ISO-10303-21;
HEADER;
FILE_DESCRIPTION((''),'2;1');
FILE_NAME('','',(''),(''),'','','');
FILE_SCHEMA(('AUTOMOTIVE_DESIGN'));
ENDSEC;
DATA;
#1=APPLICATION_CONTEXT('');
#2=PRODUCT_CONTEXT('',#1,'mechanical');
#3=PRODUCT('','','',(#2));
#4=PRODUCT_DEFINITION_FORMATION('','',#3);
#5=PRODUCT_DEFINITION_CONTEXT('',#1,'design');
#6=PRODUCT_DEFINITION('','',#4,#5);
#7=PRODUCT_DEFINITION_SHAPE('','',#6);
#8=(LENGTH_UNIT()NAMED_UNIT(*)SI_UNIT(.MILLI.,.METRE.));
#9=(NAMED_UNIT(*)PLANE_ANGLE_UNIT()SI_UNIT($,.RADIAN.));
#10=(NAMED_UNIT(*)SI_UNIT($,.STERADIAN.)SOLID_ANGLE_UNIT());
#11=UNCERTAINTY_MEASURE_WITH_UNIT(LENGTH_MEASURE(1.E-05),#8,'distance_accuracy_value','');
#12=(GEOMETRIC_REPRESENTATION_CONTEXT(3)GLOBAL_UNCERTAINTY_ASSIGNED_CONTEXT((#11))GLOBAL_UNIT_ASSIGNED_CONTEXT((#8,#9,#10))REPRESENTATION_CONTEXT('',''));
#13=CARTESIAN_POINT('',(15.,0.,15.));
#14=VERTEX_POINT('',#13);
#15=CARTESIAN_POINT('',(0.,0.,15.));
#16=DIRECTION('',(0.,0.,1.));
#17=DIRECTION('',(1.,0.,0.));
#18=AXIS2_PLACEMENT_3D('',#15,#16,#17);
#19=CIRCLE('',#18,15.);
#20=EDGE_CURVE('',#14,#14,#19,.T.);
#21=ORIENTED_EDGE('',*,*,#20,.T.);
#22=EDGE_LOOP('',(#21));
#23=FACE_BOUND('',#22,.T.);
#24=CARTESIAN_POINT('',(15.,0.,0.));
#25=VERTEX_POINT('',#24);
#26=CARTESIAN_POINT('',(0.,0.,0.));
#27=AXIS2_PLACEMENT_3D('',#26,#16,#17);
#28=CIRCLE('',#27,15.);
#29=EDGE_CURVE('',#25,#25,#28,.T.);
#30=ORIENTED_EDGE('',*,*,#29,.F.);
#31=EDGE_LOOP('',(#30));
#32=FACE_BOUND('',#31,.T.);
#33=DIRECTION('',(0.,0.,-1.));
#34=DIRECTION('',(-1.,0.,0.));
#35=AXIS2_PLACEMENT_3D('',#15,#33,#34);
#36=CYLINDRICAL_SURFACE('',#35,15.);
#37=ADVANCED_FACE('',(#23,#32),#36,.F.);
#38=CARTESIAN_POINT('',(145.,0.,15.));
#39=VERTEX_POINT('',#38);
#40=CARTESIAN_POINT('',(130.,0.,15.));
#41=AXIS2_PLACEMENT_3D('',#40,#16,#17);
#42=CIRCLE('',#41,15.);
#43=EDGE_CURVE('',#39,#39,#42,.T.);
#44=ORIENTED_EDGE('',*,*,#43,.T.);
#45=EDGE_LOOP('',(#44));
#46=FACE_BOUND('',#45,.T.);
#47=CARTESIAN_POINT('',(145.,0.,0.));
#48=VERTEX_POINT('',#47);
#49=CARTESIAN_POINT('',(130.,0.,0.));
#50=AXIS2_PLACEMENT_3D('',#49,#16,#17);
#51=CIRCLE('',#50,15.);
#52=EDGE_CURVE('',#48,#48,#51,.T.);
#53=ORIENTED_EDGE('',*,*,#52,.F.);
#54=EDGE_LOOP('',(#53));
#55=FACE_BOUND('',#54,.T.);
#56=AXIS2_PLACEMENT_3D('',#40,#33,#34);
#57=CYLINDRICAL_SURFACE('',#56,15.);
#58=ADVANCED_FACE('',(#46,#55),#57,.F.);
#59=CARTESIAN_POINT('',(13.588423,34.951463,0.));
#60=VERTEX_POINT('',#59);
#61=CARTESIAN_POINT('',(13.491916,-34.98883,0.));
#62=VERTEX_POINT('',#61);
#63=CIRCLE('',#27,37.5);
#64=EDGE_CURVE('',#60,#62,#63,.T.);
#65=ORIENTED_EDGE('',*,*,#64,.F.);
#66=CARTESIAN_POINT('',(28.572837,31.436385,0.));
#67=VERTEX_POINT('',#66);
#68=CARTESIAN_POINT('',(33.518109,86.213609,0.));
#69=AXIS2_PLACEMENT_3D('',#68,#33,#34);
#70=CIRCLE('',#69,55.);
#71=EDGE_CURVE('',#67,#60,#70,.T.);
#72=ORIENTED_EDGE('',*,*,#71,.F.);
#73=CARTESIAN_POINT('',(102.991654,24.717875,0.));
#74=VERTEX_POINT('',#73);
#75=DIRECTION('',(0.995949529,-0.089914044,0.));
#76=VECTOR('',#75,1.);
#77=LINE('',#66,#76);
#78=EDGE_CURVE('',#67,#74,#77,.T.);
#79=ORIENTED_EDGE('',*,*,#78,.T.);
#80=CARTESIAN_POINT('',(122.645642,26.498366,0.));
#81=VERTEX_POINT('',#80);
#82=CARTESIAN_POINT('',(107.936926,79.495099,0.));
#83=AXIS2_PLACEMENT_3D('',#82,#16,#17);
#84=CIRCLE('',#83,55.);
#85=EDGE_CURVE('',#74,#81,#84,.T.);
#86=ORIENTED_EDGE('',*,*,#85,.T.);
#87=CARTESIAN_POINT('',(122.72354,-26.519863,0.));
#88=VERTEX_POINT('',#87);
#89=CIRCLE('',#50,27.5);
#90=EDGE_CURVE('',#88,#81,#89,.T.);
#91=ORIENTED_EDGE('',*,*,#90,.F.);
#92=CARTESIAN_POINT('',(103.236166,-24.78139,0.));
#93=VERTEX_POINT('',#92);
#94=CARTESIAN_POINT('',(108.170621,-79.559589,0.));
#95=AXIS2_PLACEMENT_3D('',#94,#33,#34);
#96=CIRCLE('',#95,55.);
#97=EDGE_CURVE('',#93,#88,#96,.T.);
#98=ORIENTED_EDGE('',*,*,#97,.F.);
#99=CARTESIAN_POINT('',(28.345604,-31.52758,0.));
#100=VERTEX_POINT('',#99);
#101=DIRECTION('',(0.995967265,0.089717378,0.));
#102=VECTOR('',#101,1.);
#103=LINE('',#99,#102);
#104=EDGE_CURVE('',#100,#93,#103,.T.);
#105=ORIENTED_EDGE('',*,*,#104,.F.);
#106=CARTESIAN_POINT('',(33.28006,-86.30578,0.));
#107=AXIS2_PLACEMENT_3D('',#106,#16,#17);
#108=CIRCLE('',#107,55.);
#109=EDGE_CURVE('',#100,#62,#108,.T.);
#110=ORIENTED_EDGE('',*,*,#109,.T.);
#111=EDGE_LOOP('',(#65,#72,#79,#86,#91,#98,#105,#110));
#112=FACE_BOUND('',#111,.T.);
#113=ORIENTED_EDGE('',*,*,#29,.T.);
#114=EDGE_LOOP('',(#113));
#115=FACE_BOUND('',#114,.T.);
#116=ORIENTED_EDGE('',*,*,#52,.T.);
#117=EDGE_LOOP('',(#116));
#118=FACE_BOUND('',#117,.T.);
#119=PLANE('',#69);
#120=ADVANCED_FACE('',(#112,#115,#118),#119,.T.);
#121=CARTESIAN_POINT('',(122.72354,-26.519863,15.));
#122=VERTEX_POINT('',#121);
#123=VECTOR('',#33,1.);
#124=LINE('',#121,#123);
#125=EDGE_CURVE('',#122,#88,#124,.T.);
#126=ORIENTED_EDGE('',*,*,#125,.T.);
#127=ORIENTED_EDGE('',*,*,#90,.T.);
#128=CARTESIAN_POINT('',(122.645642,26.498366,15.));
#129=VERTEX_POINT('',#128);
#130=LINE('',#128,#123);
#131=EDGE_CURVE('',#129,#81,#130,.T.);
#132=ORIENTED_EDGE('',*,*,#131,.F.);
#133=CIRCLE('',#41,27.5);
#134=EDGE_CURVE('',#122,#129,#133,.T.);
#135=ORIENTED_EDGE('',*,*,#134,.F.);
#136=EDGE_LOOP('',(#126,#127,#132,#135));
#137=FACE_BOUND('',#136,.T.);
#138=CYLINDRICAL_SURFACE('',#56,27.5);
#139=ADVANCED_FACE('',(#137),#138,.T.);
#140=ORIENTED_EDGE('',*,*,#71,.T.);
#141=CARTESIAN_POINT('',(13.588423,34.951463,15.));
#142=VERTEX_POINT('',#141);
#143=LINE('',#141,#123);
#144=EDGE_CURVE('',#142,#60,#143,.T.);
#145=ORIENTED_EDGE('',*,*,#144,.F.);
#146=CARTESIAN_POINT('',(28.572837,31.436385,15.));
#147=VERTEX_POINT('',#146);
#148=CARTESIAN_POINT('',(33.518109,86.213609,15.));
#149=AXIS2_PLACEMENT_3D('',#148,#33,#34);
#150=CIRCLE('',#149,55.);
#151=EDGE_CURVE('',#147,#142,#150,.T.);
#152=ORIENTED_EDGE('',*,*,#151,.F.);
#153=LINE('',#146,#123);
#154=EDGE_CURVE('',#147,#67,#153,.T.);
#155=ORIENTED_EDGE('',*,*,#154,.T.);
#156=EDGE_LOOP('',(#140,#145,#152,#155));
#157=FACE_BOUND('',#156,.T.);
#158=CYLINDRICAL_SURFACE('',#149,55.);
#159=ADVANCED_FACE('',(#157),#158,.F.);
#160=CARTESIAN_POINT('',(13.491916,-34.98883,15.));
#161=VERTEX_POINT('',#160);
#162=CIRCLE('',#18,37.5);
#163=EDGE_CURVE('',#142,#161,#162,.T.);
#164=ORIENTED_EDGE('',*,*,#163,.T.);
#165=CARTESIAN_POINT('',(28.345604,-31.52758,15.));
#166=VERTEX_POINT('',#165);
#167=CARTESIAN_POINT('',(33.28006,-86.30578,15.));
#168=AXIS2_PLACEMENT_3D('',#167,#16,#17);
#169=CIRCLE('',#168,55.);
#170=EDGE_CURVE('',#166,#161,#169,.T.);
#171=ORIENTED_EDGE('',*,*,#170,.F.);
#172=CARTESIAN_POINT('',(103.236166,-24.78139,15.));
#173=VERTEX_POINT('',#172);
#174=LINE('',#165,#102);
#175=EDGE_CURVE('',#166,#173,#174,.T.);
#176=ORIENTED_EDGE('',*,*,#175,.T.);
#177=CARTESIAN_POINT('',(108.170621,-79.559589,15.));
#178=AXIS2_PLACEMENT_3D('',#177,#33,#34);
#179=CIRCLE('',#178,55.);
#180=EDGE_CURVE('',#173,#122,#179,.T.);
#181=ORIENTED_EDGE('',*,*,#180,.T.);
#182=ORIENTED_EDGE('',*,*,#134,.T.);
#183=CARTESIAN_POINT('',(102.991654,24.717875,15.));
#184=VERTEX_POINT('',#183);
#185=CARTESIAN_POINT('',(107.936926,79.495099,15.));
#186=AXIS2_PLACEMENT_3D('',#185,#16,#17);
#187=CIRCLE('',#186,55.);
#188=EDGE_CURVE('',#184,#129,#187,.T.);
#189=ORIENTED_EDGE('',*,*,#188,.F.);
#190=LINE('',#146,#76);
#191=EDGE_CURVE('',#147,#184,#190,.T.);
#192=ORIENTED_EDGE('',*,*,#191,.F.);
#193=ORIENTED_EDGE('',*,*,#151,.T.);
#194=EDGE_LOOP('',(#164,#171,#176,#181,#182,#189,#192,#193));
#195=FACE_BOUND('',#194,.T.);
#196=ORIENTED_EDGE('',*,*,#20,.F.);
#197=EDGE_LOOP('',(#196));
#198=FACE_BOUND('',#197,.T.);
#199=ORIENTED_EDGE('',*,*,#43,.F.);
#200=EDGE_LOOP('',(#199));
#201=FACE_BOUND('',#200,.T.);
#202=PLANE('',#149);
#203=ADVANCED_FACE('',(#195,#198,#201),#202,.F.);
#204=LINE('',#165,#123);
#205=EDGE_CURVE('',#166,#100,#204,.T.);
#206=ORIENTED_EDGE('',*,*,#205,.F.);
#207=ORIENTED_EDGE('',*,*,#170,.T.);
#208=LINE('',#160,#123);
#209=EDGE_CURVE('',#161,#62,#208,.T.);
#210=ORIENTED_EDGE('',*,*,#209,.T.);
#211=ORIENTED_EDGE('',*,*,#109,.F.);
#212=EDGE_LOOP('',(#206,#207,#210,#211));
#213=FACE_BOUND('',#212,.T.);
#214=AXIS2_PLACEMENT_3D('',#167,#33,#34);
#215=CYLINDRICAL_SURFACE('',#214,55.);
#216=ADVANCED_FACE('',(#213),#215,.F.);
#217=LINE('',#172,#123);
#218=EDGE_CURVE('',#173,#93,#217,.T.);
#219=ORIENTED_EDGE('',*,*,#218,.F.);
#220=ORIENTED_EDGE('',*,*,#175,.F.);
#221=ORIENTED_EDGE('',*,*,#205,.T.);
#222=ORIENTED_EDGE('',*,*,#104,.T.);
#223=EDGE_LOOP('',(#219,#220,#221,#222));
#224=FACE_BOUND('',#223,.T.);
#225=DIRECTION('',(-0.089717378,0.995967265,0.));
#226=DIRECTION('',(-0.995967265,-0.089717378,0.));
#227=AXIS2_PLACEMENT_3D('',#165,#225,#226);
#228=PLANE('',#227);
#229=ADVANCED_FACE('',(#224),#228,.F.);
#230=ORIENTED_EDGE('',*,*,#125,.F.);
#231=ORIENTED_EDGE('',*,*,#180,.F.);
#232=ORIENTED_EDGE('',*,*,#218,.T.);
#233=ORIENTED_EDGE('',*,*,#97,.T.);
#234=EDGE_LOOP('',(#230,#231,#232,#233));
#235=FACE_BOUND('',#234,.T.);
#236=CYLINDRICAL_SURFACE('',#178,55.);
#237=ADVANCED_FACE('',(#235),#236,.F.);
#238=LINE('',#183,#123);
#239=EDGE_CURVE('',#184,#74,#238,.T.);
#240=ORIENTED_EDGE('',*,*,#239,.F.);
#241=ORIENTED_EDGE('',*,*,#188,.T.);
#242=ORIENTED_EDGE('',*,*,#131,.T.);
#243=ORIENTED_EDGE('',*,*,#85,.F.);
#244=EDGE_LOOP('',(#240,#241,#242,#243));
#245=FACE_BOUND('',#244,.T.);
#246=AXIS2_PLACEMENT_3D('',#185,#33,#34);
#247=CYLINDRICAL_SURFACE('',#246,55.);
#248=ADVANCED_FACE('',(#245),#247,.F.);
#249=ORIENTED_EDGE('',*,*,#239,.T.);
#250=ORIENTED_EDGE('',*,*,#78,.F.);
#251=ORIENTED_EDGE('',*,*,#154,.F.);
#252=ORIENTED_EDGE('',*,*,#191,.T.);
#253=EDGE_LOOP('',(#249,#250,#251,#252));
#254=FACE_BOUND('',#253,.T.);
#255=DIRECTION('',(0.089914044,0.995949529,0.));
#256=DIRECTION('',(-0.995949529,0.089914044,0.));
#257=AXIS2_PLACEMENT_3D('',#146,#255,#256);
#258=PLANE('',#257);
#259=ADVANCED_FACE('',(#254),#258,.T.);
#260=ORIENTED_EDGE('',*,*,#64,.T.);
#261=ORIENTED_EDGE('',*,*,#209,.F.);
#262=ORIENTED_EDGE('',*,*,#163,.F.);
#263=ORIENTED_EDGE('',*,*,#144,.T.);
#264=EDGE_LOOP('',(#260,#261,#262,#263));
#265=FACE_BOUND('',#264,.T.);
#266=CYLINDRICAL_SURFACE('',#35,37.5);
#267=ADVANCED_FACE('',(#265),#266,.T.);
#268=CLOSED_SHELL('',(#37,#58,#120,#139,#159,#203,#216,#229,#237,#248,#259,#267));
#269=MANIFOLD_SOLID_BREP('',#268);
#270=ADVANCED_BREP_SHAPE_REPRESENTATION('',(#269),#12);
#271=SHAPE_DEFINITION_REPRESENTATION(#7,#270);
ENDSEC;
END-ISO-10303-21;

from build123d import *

# Parameters (mm, degrees)
SKETCH1_R           = 15
BOSS_EXTRUDE1_DEPTH = 15


with BuildPart() as part:
    # Sketch1 → Boss-Extrude1 (new body)
    with BuildSketch(Plane.XY):
        with BuildLine():
            Line((28.572836517, 31.436384873), (102.991653714, 24.717874937))
            ThreePointArc((102.991653714, 24.717874937), (112.899157953, 24.719408673), (122.645642046, 26.498366347))
            ThreePointArc((122.645642046, 26.498366347), (157.499970317, 0.040405059), (122.723540483, -26.519863063))
            ThreePointArc((122.723540483, -26.519863063), (113.057776166, -24.777149314), (103.236165654, -24.781389639))
            Line((103.236165654, -24.781389639), (28.345604458, -31.527580033))
            ThreePointArc((28.345604458, -31.527580033), (20.79820156, -32.740835791), (13.491916318, -34.988829561))
            ThreePointArc((13.491916318, -34.988829561), (-37.499964301, 0.05174385), (13.588422543, 34.951463099))
            ThreePointArc((13.588422543, 34.951463099), (20.957064485, 32.667179012), (28.572836517, 31.436384873))
        make_face()
        Circle(SKETCH1_R, mode=Mode.SUBTRACT)
        with Locations((130, 0)):
            Circle(SKETCH1_R, mode=Mode.SUBTRACT)
    extrude(amount=BOSS_EXTRUDE1_DEPTH)


solid = part.part
